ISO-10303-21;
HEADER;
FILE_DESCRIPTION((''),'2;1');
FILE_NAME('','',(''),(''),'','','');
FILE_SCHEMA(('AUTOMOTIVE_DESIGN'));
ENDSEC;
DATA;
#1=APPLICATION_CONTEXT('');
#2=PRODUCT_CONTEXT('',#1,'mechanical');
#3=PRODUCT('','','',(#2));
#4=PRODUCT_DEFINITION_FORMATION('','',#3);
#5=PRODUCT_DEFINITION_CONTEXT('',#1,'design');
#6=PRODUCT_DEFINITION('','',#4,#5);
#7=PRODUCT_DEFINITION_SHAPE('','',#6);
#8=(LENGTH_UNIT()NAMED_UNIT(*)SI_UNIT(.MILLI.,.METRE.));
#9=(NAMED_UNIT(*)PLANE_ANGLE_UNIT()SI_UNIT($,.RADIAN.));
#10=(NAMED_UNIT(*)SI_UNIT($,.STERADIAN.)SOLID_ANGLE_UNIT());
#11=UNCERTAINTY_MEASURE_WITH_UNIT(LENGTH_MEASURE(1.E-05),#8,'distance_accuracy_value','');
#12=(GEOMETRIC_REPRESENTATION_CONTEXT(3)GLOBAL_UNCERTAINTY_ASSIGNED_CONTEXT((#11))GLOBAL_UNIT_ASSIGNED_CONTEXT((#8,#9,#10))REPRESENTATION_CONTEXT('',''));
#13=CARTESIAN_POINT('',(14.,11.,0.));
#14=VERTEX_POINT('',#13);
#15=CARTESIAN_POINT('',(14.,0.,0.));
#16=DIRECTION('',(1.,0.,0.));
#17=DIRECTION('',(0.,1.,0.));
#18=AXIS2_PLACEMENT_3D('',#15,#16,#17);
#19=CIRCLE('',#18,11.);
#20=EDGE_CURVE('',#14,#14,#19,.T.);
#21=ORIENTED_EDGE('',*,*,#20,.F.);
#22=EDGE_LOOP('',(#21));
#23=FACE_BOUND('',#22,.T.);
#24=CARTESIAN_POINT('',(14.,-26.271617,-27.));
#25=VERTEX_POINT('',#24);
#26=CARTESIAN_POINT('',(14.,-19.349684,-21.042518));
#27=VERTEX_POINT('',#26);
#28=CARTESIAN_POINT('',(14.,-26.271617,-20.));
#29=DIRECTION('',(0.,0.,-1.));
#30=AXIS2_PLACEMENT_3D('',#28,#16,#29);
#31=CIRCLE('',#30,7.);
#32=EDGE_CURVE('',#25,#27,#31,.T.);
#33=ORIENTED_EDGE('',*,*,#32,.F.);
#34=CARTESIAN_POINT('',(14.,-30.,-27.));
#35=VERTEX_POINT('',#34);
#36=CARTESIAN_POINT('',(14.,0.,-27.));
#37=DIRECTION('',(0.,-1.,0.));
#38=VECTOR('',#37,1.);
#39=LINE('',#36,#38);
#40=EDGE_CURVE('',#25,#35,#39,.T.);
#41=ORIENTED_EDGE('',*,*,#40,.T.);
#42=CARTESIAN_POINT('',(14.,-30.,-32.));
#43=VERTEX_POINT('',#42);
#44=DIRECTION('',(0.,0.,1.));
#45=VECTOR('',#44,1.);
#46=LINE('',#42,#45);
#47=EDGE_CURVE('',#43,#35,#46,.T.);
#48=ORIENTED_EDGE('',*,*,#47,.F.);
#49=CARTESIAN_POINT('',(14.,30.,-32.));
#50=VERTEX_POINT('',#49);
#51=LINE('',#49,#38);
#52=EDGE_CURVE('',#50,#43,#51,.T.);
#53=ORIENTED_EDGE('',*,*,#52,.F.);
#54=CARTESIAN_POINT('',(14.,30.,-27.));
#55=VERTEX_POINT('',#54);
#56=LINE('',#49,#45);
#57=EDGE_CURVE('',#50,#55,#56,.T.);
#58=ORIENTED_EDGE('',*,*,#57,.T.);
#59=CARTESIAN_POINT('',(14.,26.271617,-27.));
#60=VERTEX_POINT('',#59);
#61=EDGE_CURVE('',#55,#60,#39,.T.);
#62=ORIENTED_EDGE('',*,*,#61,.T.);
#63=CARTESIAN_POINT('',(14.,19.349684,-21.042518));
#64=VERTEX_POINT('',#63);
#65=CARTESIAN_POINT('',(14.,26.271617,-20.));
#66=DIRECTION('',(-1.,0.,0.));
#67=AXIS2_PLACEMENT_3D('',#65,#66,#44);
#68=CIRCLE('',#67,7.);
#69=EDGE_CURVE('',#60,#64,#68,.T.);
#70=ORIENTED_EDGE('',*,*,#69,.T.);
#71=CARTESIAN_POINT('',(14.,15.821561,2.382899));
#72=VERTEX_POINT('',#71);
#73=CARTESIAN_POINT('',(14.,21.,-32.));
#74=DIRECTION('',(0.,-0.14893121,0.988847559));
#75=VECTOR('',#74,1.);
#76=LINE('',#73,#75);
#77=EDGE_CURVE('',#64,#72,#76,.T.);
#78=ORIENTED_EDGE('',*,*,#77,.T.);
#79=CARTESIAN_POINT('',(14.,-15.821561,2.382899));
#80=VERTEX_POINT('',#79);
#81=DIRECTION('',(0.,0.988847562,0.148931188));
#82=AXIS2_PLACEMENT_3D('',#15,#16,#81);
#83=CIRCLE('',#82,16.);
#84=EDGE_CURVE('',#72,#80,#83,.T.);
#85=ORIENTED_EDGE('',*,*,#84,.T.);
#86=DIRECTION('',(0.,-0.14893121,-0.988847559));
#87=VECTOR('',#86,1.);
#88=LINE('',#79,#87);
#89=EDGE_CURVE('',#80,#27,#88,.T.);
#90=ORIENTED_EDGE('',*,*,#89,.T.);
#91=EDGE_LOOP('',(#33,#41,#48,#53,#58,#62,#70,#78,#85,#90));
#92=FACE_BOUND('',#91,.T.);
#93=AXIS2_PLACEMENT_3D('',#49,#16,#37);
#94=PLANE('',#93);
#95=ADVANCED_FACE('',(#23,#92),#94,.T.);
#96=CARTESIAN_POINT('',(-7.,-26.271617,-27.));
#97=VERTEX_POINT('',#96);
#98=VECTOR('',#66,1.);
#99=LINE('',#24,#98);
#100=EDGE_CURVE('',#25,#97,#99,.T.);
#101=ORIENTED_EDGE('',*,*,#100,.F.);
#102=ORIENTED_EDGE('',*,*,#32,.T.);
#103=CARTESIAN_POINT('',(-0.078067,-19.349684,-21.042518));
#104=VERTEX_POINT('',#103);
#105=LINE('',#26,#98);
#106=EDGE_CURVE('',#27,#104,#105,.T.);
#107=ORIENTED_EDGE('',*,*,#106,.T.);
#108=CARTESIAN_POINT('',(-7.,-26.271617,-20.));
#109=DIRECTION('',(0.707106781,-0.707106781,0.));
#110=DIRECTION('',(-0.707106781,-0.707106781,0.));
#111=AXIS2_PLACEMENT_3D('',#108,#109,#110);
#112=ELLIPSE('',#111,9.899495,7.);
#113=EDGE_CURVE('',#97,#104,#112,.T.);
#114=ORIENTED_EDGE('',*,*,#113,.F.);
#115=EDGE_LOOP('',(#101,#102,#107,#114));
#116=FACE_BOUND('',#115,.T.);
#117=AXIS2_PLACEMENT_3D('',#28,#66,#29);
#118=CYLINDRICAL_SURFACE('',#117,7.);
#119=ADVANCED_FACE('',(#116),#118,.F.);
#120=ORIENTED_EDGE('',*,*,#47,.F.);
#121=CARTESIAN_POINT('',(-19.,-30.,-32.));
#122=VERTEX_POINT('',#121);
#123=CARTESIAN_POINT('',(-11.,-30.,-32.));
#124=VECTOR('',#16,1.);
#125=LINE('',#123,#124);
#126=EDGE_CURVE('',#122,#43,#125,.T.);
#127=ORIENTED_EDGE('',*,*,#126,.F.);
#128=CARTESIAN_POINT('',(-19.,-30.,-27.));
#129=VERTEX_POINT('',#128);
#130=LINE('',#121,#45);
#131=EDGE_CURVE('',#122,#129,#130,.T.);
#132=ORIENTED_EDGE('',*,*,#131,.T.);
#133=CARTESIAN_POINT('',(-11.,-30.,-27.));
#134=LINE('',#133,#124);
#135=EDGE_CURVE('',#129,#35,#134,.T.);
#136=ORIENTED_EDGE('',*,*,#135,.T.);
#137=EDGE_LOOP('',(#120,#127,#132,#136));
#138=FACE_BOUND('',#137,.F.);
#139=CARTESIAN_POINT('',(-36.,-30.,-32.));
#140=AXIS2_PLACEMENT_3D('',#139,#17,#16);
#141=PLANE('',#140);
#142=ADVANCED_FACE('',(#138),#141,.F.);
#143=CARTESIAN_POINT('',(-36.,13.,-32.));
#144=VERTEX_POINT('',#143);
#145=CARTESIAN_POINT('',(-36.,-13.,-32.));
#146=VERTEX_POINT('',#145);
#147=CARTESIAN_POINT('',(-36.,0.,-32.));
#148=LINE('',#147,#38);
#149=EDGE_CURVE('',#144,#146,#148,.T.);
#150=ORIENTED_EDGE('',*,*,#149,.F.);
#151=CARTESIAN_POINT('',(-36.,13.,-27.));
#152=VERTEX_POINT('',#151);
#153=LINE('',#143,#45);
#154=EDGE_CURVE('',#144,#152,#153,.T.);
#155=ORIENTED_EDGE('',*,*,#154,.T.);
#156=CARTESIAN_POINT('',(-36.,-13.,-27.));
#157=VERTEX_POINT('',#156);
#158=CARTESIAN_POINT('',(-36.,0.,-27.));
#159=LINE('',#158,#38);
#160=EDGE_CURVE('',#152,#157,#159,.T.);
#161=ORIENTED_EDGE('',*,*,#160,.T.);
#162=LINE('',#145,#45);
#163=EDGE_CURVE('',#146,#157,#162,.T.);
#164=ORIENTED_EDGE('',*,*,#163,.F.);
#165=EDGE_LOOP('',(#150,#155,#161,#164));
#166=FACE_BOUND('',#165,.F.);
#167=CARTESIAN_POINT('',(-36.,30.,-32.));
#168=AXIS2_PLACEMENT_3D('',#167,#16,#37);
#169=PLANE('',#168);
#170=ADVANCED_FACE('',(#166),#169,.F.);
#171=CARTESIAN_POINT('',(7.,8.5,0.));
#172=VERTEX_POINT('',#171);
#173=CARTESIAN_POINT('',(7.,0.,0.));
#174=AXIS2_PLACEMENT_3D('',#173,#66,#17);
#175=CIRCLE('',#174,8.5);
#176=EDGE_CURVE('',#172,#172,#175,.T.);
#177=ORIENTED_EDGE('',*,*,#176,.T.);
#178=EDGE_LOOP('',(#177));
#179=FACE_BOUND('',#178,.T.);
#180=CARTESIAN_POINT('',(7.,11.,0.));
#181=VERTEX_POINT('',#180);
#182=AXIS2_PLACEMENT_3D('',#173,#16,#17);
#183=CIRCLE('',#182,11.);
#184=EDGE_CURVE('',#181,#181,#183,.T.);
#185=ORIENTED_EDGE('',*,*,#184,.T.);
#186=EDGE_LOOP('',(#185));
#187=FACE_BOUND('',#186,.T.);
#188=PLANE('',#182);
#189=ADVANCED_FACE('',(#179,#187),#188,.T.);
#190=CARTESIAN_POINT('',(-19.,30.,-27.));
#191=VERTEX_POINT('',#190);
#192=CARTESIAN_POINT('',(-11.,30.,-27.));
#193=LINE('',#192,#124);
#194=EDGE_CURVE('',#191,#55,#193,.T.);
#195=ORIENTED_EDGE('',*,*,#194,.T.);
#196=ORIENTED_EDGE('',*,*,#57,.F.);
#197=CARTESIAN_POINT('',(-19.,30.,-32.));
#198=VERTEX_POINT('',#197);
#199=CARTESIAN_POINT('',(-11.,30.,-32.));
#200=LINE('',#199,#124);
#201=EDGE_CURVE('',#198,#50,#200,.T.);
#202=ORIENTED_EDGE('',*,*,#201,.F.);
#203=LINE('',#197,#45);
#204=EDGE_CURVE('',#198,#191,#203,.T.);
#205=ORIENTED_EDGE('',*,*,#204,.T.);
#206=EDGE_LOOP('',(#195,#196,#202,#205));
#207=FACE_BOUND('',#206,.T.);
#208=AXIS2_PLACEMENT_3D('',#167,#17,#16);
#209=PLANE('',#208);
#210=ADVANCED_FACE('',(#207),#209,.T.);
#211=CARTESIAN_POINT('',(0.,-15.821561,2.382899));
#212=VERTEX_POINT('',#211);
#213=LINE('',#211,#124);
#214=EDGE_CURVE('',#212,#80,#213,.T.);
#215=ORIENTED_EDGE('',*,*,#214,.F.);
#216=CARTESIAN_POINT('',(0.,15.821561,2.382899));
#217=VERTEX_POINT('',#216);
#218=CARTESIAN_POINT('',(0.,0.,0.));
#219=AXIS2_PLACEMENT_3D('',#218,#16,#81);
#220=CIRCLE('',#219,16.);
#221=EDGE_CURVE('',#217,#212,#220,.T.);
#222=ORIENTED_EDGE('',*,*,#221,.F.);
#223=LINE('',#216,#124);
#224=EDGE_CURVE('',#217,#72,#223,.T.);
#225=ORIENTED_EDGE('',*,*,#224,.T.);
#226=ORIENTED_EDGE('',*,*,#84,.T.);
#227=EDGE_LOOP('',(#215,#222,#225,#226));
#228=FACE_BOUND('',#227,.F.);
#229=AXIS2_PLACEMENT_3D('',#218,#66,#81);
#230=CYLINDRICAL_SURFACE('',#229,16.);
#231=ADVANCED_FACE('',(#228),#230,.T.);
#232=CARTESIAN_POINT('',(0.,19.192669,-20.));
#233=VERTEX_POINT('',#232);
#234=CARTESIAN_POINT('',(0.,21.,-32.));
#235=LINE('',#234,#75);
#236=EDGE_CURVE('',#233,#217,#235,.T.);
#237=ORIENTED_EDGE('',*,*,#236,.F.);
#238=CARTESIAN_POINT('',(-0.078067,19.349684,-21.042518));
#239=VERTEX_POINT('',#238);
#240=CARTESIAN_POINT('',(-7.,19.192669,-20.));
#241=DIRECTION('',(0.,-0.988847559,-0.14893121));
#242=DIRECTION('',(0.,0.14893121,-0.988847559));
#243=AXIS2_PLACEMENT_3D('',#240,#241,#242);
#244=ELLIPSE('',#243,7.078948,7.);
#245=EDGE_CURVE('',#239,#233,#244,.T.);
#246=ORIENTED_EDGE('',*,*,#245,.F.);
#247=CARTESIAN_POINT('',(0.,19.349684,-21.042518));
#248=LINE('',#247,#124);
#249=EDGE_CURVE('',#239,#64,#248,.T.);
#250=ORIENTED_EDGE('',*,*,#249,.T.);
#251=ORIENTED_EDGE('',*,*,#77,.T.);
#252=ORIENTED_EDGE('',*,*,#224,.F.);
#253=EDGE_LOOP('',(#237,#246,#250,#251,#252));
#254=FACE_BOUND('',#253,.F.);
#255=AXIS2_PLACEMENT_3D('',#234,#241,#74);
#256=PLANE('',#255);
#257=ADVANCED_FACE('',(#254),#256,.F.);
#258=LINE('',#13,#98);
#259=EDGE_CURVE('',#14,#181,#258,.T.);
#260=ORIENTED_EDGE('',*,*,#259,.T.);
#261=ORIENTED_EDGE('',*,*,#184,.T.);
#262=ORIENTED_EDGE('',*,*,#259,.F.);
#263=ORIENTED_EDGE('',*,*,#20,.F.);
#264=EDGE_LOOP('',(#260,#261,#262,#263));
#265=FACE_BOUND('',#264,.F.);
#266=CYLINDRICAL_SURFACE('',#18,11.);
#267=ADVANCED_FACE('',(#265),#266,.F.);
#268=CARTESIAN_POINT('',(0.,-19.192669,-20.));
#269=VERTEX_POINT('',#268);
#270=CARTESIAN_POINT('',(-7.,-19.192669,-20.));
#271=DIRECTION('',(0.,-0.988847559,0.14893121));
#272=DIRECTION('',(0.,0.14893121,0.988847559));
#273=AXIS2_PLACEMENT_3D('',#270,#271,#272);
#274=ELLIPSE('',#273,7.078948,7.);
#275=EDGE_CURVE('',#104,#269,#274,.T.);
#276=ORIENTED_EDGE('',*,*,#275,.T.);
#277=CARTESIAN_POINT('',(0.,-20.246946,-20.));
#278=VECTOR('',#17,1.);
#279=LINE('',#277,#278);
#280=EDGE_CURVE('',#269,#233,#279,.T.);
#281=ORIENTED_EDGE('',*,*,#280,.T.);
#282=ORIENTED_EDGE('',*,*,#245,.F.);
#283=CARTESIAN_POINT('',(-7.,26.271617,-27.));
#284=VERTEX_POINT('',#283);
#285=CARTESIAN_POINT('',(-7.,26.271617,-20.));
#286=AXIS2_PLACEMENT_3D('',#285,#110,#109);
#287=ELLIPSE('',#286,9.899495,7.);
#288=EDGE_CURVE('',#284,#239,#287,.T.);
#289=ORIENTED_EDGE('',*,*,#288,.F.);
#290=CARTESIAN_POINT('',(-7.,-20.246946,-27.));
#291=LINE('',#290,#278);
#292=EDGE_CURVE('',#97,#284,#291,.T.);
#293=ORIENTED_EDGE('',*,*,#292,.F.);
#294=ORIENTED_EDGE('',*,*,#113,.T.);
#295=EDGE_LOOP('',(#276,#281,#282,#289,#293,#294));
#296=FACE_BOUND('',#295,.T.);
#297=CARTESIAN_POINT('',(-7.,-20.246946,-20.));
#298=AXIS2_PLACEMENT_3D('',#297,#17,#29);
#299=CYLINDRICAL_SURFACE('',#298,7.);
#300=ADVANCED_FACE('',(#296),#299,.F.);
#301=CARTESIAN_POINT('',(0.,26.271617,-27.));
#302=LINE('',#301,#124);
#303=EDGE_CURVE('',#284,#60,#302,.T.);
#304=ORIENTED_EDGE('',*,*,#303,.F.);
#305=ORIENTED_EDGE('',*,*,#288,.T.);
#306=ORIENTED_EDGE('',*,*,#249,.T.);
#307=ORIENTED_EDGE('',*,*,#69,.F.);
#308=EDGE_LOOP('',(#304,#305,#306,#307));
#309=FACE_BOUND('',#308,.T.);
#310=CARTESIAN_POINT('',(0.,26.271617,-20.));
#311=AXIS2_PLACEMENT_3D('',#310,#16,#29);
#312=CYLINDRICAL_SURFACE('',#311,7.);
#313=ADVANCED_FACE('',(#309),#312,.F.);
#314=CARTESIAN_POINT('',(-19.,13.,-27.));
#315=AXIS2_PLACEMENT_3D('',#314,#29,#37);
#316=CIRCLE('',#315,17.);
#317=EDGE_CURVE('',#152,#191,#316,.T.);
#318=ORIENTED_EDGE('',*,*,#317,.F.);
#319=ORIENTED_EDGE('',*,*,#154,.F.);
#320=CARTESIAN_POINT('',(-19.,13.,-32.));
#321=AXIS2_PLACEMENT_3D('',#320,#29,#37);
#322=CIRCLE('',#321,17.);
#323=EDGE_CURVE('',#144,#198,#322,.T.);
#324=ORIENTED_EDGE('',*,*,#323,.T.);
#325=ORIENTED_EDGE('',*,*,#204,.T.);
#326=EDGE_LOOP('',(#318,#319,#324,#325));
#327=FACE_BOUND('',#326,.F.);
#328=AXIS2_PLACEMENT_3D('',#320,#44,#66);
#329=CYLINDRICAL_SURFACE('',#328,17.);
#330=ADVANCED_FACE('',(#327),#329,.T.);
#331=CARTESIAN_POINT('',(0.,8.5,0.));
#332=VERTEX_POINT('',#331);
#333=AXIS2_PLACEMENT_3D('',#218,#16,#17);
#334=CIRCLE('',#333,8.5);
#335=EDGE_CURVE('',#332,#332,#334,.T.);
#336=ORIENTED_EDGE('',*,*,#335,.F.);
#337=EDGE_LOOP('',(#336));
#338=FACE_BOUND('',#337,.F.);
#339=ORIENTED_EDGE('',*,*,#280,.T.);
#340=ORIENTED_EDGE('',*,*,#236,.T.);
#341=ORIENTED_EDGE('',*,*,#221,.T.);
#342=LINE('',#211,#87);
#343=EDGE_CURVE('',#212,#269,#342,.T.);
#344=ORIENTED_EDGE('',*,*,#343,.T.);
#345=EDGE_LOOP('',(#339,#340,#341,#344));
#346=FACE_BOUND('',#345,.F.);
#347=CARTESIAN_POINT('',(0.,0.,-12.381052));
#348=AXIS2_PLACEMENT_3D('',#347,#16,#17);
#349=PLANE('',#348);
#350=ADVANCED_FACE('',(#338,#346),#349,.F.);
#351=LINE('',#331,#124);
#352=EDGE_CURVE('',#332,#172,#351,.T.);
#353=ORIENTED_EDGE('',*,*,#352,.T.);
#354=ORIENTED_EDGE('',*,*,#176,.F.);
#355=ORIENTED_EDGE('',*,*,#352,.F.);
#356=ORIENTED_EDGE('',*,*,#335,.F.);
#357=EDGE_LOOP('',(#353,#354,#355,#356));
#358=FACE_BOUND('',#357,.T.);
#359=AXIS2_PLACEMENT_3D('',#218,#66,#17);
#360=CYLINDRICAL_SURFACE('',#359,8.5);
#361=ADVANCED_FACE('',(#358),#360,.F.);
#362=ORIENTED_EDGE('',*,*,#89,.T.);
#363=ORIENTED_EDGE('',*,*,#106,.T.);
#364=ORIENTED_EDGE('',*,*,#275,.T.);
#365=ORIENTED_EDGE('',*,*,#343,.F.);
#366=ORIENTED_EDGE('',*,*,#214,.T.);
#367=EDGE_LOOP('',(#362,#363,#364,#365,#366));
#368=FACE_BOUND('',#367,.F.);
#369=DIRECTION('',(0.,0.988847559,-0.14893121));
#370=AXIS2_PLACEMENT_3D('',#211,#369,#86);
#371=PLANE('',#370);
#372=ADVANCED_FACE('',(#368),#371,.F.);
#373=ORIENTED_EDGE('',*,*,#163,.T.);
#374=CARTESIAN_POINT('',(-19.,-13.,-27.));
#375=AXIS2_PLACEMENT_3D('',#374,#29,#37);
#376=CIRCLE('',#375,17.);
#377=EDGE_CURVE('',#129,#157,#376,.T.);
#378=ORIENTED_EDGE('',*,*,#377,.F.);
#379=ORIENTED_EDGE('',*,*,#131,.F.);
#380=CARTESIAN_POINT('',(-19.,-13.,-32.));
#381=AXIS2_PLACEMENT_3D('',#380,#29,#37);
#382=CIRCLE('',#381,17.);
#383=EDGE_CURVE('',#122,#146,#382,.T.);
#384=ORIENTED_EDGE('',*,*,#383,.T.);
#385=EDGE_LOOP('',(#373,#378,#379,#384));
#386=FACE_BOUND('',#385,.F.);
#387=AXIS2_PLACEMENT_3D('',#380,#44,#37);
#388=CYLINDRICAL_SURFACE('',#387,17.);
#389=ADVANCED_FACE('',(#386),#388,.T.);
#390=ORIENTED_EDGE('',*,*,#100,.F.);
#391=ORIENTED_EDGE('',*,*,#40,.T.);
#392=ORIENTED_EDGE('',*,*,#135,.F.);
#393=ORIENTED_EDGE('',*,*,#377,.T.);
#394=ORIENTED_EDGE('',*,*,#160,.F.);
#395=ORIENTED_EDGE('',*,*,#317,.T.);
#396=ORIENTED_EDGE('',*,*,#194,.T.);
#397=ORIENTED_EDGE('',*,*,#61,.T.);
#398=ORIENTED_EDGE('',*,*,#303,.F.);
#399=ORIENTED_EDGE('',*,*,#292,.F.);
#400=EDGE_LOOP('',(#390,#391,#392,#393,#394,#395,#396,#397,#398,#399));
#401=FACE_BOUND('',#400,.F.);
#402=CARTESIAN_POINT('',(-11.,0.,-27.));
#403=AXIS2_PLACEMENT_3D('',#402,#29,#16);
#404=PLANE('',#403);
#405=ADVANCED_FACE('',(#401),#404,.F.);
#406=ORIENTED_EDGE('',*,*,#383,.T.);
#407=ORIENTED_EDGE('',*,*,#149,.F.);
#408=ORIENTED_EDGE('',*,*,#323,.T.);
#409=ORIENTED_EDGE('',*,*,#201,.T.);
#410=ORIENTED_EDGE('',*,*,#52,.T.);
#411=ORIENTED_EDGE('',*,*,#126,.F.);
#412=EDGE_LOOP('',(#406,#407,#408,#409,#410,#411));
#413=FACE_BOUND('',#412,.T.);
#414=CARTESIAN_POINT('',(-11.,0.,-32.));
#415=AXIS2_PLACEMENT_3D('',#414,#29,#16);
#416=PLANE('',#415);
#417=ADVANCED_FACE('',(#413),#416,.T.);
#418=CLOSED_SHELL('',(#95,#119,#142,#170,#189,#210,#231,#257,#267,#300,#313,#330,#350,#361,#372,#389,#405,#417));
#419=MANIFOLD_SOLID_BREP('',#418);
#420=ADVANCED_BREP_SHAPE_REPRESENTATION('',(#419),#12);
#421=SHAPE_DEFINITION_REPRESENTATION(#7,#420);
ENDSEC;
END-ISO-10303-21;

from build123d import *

# Parameters (mm, degrees)
F0_R     = 8.5
F1_DEPTH = 14
F2_R     = 11
F3_DEPTH = 7
F4_W     = 50
F4_H     = 60
F5_DEPTH = 5
F6_R     = 7
F7_R     = 17


with BuildPart() as f1:
    # F0 (on Right) → F1 (new body)
    with BuildSketch(Plane.YZ):
        with BuildLine():
            Line((21, -32), (15.821561, 2.382899))
            ThreePointArc((15.821561, 2.382899), (0, 16), (-15.821561, 2.382899))
            Line((-15.821561, 2.382899), (-21, -32))
            Line((-21, -32), (21, -32))
        make_face()
        Circle(F0_R, mode=Mode.SUBTRACT)
    extrude(amount=F1_DEPTH)

    # F2 (on face) → F3 (cut)
    with BuildSketch(Plane.YZ.offset(14)):
        Circle(F2_R)
    extrude(amount=-F3_DEPTH, mode=Mode.SUBTRACT)

    # F4 (on face) → F5 (join)
    with BuildSketch(Plane(origin=(0, 0, -32), x_dir=(1, 0, 0), z_dir=(0, 0, -1))):
        with Locations((-11, 0)):
            Rectangle(F4_W, F4_H)
    extrude(amount=-F5_DEPTH)

    # F6
    f6_edges = [f1.edges().sort_by_distance(p)[0] for p in [
        (7, -20.246946, -27),
        (0, 0, -27),
        (7, 20.246946, -27),
    ]]
    fillet(f6_edges, radius=F6_R)

    # F7
    f7_edges = [f1.edges().sort_by_distance(p)[0] for p in [
        (-36, -30, -29.5),
        (-36, 30, -29.5),
    ]]
    fillet(f7_edges, radius=F7_R)


solid = f1.part
